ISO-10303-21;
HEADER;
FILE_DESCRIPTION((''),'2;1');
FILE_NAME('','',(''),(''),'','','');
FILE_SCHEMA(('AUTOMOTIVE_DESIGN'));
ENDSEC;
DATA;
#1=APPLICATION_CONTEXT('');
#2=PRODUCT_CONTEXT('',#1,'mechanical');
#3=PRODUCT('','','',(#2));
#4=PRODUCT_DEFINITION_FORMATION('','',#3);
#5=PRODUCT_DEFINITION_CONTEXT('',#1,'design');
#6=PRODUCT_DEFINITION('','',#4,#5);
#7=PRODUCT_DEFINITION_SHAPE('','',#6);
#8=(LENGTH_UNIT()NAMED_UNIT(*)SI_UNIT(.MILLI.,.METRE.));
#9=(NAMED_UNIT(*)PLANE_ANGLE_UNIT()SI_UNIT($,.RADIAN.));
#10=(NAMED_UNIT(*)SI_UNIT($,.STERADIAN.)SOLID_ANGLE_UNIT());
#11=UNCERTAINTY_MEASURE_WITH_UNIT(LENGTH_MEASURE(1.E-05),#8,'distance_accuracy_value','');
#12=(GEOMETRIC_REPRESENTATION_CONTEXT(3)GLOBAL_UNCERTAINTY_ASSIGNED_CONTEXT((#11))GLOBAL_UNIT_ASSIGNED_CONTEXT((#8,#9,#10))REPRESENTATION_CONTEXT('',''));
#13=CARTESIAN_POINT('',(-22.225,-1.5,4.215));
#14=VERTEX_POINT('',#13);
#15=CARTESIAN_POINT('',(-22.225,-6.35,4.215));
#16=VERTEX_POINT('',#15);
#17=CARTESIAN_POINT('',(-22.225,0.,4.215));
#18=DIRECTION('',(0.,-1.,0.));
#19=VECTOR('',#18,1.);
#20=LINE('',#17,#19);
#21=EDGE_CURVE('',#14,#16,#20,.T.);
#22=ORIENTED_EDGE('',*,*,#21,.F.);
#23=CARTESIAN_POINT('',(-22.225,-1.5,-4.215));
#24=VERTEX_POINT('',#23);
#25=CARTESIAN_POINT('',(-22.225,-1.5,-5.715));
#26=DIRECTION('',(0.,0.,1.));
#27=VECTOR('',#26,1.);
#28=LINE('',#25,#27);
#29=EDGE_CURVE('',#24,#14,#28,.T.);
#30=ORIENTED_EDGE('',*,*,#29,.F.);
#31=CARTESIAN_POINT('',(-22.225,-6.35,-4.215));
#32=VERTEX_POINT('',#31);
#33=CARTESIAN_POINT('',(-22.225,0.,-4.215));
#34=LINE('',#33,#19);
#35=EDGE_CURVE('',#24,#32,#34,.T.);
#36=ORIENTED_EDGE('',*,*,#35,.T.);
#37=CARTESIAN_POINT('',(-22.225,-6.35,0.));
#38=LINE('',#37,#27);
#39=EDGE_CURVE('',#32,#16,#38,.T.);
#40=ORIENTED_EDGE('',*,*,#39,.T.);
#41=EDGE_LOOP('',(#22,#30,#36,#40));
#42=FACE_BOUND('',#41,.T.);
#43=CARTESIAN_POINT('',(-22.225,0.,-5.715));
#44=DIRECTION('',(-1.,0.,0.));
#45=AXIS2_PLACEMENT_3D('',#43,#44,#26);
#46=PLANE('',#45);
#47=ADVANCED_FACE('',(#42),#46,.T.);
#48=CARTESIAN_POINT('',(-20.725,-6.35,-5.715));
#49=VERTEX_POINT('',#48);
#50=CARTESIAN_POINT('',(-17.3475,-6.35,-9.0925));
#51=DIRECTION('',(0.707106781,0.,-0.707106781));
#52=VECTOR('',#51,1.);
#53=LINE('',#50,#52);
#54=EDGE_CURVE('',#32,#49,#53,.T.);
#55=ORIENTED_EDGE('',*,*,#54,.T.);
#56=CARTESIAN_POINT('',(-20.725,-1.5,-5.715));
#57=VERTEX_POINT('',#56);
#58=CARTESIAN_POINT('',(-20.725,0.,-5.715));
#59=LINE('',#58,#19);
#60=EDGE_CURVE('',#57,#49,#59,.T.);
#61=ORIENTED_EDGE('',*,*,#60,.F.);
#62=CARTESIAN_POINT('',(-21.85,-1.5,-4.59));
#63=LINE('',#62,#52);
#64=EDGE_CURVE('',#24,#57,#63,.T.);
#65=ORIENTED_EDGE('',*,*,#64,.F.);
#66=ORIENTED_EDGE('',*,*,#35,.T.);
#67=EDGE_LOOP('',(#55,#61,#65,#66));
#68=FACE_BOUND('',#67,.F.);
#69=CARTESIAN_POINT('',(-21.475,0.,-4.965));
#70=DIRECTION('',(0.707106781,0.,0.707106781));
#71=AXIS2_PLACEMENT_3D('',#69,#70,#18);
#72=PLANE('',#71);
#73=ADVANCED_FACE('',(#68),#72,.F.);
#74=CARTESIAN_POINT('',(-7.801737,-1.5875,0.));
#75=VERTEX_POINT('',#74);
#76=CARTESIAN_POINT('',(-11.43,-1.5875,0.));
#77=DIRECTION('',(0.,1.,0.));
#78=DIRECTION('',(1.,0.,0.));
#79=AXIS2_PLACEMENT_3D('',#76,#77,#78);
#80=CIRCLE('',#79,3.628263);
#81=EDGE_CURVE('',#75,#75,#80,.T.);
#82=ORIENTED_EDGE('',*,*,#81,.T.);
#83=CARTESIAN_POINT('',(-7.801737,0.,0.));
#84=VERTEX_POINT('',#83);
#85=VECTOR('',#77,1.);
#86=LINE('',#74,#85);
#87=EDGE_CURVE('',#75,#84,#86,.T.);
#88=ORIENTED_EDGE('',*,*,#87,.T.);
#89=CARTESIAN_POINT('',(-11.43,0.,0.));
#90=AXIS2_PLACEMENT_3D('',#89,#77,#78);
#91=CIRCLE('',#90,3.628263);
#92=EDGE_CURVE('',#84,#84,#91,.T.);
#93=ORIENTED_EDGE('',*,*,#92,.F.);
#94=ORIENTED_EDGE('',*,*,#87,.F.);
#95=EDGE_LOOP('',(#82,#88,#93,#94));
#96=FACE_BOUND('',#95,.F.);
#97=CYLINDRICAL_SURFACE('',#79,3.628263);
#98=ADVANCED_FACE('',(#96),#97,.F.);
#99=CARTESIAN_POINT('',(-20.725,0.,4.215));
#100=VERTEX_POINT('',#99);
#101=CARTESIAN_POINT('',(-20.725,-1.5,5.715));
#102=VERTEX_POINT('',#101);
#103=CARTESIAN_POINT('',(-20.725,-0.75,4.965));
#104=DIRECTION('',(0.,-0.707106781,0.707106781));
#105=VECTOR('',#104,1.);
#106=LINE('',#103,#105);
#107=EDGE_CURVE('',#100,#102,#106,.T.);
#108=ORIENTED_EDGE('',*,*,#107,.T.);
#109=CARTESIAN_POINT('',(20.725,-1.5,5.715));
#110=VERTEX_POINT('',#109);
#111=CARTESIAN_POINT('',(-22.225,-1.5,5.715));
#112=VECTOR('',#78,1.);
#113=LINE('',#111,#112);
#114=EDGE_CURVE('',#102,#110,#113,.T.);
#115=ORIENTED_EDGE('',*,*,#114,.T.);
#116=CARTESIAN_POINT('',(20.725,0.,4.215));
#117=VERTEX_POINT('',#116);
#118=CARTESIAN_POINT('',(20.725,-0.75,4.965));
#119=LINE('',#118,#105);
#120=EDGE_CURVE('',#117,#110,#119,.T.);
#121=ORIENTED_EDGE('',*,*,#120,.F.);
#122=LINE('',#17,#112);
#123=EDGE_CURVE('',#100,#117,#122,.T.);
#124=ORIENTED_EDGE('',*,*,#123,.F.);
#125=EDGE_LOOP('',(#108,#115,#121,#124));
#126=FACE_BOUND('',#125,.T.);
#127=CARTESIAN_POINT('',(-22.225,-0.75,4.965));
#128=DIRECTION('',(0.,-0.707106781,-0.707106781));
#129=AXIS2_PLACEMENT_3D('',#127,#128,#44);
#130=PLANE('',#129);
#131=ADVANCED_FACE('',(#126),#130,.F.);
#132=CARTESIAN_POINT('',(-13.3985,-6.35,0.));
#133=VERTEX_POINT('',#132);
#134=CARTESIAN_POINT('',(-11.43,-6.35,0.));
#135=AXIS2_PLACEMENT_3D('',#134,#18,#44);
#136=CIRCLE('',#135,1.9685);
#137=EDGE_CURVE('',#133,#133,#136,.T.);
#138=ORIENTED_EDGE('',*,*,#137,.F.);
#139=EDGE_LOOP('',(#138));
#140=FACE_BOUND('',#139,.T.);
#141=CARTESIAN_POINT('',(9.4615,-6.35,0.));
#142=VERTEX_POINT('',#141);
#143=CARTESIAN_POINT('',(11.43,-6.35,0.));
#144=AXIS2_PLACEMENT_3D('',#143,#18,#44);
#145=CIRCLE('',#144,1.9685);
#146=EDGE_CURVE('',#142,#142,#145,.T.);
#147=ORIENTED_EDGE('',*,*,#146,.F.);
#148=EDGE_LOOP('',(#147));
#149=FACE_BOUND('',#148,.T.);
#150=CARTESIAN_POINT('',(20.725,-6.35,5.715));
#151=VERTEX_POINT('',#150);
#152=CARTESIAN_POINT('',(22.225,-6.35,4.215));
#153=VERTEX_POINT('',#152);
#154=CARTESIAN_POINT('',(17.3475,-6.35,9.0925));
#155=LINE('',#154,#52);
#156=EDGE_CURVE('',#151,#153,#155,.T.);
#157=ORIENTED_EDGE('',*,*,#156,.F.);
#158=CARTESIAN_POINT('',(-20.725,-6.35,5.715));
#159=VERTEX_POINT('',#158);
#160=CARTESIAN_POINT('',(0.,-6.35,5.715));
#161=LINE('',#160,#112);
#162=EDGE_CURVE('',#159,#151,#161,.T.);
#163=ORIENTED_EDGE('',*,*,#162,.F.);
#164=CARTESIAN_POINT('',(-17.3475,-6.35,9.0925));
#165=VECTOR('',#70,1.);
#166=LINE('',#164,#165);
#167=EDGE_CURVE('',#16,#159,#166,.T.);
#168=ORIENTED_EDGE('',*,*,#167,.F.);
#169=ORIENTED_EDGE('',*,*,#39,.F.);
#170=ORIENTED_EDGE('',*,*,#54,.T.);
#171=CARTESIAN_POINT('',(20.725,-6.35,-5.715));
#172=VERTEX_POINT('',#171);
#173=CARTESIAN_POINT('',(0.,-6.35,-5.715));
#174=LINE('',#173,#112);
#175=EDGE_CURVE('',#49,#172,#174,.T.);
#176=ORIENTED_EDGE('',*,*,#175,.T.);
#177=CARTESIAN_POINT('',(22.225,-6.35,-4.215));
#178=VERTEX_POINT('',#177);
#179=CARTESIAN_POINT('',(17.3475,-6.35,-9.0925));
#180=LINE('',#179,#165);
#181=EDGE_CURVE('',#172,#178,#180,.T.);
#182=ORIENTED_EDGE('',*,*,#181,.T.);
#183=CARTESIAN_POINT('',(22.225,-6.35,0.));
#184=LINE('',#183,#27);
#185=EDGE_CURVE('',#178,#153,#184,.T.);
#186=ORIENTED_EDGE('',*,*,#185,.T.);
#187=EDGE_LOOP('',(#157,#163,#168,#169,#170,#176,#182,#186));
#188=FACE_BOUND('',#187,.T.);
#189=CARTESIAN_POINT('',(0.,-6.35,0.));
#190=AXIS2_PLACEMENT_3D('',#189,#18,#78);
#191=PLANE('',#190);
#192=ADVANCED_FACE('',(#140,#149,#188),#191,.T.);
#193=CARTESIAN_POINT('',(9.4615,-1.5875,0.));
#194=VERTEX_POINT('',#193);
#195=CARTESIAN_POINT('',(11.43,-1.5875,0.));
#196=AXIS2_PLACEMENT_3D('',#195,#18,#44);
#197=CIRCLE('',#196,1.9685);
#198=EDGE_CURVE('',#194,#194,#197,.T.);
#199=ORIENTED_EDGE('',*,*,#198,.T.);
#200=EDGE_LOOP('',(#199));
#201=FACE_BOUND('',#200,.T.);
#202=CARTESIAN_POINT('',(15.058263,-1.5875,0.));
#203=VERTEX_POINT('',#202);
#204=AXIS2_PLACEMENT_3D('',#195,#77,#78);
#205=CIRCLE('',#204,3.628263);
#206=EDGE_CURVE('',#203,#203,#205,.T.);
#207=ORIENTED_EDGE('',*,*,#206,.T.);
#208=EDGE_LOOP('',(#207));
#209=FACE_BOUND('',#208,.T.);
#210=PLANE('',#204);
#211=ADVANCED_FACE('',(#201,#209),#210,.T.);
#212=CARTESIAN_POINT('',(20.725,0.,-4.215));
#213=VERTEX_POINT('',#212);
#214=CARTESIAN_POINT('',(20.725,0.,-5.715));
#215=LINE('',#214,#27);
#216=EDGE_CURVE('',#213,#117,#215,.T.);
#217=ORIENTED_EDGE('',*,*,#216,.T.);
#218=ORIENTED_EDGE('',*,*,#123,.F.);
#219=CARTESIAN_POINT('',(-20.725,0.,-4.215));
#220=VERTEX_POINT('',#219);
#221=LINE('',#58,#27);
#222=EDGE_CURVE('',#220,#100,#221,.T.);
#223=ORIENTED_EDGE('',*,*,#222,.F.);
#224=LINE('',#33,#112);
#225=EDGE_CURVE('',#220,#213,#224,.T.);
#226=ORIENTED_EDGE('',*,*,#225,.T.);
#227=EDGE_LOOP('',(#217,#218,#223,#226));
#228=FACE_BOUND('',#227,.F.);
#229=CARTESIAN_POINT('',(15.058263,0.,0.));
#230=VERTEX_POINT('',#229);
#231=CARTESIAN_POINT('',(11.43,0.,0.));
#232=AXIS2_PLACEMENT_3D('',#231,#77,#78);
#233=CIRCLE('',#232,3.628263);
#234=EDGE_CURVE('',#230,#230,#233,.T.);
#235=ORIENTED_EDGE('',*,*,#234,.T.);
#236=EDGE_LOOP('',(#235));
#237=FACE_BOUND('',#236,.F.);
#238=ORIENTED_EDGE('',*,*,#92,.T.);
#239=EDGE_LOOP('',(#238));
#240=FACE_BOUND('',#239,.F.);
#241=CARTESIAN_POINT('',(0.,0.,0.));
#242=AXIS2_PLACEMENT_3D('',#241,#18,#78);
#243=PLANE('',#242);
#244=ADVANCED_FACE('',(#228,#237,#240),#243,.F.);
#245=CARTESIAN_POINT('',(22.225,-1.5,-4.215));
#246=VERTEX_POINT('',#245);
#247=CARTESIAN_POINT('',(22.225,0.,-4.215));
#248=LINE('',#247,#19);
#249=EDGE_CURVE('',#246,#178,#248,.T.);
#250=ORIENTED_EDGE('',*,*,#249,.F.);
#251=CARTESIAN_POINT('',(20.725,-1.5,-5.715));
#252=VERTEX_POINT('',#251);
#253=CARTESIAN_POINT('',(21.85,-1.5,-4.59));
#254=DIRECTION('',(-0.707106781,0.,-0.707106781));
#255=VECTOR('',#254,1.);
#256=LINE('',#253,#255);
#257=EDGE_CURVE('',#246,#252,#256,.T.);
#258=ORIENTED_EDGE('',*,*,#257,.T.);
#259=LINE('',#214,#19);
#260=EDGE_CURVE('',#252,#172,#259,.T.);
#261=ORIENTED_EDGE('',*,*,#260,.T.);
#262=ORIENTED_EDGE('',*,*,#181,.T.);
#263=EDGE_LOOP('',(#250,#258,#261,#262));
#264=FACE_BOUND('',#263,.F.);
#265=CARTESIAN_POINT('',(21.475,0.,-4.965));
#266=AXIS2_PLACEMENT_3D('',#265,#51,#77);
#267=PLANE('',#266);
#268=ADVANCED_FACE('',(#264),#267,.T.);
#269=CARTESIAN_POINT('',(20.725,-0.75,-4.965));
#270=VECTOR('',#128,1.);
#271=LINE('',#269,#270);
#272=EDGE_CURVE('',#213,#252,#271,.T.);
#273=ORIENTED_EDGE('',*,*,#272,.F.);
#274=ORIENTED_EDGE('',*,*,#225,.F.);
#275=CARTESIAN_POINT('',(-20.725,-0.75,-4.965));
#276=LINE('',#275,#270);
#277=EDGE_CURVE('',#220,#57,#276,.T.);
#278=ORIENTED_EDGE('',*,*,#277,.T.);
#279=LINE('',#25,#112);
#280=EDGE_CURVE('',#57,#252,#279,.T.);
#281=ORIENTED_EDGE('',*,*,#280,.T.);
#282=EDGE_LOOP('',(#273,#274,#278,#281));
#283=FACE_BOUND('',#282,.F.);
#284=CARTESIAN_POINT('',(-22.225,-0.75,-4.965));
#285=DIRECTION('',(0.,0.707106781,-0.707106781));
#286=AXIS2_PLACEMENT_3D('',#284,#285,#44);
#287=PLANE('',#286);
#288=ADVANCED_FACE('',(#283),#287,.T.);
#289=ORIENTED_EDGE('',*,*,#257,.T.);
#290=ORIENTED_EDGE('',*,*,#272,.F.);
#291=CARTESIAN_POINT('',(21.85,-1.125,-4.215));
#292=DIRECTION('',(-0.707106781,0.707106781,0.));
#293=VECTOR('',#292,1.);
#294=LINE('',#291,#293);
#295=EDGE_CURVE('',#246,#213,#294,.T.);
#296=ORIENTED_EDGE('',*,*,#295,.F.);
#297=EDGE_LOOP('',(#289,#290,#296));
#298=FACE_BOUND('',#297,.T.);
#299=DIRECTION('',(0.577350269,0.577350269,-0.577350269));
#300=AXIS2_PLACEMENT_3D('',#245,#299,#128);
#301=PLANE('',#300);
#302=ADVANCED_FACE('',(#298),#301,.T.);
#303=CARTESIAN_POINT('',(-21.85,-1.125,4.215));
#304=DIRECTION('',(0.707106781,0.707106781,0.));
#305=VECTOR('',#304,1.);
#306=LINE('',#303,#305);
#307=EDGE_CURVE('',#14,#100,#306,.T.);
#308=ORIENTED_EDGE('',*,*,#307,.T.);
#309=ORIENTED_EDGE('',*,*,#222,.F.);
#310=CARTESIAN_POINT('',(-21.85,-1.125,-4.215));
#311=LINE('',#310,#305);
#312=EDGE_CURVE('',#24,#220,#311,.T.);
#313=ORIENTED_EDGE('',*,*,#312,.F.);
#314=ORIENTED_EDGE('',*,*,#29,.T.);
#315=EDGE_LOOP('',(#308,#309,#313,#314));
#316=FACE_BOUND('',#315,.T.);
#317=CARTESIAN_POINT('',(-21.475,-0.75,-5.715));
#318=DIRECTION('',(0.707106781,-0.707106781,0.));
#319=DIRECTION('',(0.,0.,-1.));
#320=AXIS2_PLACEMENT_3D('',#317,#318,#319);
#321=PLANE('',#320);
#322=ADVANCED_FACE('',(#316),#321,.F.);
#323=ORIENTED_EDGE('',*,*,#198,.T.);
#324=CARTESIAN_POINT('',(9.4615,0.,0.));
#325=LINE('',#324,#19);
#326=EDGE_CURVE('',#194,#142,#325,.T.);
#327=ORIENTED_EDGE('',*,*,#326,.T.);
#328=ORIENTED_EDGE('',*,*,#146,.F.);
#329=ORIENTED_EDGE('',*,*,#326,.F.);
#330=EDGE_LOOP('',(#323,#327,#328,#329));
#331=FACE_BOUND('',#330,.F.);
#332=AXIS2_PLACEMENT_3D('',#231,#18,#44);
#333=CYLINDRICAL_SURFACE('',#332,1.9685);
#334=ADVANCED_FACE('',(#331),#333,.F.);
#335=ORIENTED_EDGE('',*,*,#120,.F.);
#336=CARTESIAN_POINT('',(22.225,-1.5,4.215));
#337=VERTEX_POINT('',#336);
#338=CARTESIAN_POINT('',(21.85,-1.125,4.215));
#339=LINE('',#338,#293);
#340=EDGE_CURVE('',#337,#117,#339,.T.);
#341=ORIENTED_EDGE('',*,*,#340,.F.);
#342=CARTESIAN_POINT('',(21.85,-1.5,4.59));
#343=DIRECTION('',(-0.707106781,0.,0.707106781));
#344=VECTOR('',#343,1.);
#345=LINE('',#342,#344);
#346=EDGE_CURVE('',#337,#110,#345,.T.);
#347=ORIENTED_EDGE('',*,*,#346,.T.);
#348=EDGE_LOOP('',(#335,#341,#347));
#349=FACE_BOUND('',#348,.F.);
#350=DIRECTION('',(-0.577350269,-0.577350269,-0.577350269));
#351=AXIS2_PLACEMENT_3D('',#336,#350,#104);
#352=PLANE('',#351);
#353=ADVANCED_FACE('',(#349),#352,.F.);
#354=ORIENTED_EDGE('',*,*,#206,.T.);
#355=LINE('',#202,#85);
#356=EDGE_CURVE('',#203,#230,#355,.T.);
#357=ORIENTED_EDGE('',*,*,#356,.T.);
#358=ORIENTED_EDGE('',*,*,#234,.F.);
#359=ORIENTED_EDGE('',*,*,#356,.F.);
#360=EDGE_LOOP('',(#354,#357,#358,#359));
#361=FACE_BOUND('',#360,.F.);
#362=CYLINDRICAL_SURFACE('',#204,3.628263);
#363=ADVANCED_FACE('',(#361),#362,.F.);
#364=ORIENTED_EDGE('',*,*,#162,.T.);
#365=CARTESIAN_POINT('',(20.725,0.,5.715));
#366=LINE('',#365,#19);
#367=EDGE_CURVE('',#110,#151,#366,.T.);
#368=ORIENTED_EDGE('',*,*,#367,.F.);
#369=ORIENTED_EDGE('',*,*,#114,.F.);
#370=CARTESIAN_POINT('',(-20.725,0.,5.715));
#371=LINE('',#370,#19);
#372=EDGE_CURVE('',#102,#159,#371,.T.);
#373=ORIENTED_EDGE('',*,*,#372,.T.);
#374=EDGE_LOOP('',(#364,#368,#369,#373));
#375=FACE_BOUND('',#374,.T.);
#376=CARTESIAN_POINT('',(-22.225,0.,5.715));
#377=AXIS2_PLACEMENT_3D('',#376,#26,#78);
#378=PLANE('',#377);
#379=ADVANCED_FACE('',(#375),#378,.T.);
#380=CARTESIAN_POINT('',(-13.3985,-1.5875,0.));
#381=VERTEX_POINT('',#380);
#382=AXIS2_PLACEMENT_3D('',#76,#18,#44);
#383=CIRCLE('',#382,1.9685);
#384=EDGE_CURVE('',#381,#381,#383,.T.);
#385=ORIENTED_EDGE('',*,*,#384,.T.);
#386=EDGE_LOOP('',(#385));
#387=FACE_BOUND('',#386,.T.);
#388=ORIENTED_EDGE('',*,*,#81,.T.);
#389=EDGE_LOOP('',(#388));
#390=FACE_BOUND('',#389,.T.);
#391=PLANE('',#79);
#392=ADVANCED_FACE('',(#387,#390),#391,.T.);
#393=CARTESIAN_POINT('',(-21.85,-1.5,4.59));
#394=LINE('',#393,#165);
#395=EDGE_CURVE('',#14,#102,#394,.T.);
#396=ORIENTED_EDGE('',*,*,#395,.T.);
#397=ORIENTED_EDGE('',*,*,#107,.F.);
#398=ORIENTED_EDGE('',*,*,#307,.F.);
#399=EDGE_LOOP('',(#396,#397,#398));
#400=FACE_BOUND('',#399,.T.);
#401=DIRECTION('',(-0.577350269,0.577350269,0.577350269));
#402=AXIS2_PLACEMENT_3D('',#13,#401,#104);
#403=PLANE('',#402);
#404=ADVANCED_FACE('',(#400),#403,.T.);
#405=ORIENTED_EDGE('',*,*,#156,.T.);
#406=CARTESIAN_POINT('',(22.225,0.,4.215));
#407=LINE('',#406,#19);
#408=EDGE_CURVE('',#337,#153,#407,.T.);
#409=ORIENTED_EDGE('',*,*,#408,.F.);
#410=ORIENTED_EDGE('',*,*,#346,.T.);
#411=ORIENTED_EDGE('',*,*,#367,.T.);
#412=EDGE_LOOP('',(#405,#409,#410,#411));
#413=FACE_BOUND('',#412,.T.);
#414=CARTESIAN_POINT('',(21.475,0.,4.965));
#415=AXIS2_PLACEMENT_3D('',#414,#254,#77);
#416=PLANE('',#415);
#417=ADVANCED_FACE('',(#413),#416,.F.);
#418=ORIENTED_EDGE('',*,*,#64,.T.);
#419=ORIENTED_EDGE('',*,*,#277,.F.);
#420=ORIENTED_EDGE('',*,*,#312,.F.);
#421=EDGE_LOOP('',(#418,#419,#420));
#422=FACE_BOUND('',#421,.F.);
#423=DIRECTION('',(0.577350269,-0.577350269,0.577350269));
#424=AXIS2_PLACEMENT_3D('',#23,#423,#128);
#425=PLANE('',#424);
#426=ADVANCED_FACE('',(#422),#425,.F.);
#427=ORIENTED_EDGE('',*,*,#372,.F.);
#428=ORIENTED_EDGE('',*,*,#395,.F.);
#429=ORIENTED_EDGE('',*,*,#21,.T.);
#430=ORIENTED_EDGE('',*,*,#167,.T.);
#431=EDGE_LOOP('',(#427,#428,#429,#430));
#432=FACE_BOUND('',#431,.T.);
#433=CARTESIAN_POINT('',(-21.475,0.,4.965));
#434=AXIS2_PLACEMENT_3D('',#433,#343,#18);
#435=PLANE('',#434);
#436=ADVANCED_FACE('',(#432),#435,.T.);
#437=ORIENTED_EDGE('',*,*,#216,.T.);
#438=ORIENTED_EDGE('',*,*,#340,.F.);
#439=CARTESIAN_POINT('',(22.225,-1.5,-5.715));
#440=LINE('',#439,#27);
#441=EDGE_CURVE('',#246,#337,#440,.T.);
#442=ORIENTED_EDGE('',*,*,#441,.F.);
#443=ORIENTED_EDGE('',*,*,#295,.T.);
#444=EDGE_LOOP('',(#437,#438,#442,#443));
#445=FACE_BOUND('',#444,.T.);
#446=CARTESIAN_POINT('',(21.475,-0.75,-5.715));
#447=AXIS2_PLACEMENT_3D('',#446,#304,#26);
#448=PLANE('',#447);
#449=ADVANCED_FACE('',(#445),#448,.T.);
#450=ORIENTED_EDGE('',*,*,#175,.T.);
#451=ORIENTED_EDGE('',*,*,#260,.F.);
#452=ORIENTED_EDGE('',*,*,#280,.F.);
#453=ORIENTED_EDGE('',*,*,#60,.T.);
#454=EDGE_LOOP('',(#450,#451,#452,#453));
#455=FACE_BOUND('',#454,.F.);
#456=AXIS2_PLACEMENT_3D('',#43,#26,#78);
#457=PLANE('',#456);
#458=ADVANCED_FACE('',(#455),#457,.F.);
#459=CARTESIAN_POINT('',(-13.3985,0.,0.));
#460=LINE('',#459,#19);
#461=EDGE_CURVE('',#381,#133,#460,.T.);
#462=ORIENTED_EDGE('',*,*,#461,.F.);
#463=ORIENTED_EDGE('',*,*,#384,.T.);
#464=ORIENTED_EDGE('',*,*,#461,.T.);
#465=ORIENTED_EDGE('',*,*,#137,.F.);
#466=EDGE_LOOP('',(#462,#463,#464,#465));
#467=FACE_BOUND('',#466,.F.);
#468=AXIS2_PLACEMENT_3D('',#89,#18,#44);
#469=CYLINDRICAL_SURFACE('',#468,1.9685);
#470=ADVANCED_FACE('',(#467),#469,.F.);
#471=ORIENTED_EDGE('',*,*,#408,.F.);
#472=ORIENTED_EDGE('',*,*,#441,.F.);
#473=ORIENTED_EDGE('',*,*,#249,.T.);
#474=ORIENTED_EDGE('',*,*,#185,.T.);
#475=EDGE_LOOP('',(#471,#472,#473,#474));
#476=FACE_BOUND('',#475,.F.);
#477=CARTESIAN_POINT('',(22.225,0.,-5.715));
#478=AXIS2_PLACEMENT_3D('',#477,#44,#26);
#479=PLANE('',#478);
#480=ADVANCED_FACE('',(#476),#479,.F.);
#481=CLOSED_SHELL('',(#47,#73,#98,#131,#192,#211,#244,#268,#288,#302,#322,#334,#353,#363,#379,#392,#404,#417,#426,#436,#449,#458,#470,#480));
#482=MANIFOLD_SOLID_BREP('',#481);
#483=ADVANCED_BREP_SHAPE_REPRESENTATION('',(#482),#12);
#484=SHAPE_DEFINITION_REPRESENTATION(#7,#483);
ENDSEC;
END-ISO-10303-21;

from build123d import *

# Parameters (mm, degrees)
F0_W           = 44.45
F0_H           = 11.43
F1_DEPTH       = 6.35
F2_D           = 3.937
F2_DEPTH       = 6.35
F2_CBORE_D     = 7.256526
F2_CBORE_DEPTH = 1.5875
F3_SIZE        = 1.5


with BuildPart() as f1:
    # F0 (on Front) → F1 (new body)
    with BuildSketch(Plane.XZ):
        Rectangle(F0_W, F0_H)
    extrude(amount=F1_DEPTH)

    # F2
    with Locations(Plane(origin=(0, 0, 0), x_dir=(1, 0, 0), z_dir=(0, 1, 0))):
        with Locations((-11.43, 0), (11.43, 0)):
            CounterBoreHole(F2_D / 2, F2_CBORE_D / 2, F2_CBORE_DEPTH, depth=F2_DEPTH)

    # F3
    f3_edges = [f1.edges().sort_by_distance(p)[0] for p in [
        (0, 0, 5.715),
        (0, 0, -5.715),
        (22.225, 0, 0),
        (-22.225, 0, 0),
        (22.225, -3.175, -5.715),
        (22.225, -3.175, 5.715),
        (-22.225, -3.175, 5.715),
        (-22.225, -3.175, -5.715),
    ]]
    chamfer(f3_edges, length=F3_SIZE)


solid = f1.part
